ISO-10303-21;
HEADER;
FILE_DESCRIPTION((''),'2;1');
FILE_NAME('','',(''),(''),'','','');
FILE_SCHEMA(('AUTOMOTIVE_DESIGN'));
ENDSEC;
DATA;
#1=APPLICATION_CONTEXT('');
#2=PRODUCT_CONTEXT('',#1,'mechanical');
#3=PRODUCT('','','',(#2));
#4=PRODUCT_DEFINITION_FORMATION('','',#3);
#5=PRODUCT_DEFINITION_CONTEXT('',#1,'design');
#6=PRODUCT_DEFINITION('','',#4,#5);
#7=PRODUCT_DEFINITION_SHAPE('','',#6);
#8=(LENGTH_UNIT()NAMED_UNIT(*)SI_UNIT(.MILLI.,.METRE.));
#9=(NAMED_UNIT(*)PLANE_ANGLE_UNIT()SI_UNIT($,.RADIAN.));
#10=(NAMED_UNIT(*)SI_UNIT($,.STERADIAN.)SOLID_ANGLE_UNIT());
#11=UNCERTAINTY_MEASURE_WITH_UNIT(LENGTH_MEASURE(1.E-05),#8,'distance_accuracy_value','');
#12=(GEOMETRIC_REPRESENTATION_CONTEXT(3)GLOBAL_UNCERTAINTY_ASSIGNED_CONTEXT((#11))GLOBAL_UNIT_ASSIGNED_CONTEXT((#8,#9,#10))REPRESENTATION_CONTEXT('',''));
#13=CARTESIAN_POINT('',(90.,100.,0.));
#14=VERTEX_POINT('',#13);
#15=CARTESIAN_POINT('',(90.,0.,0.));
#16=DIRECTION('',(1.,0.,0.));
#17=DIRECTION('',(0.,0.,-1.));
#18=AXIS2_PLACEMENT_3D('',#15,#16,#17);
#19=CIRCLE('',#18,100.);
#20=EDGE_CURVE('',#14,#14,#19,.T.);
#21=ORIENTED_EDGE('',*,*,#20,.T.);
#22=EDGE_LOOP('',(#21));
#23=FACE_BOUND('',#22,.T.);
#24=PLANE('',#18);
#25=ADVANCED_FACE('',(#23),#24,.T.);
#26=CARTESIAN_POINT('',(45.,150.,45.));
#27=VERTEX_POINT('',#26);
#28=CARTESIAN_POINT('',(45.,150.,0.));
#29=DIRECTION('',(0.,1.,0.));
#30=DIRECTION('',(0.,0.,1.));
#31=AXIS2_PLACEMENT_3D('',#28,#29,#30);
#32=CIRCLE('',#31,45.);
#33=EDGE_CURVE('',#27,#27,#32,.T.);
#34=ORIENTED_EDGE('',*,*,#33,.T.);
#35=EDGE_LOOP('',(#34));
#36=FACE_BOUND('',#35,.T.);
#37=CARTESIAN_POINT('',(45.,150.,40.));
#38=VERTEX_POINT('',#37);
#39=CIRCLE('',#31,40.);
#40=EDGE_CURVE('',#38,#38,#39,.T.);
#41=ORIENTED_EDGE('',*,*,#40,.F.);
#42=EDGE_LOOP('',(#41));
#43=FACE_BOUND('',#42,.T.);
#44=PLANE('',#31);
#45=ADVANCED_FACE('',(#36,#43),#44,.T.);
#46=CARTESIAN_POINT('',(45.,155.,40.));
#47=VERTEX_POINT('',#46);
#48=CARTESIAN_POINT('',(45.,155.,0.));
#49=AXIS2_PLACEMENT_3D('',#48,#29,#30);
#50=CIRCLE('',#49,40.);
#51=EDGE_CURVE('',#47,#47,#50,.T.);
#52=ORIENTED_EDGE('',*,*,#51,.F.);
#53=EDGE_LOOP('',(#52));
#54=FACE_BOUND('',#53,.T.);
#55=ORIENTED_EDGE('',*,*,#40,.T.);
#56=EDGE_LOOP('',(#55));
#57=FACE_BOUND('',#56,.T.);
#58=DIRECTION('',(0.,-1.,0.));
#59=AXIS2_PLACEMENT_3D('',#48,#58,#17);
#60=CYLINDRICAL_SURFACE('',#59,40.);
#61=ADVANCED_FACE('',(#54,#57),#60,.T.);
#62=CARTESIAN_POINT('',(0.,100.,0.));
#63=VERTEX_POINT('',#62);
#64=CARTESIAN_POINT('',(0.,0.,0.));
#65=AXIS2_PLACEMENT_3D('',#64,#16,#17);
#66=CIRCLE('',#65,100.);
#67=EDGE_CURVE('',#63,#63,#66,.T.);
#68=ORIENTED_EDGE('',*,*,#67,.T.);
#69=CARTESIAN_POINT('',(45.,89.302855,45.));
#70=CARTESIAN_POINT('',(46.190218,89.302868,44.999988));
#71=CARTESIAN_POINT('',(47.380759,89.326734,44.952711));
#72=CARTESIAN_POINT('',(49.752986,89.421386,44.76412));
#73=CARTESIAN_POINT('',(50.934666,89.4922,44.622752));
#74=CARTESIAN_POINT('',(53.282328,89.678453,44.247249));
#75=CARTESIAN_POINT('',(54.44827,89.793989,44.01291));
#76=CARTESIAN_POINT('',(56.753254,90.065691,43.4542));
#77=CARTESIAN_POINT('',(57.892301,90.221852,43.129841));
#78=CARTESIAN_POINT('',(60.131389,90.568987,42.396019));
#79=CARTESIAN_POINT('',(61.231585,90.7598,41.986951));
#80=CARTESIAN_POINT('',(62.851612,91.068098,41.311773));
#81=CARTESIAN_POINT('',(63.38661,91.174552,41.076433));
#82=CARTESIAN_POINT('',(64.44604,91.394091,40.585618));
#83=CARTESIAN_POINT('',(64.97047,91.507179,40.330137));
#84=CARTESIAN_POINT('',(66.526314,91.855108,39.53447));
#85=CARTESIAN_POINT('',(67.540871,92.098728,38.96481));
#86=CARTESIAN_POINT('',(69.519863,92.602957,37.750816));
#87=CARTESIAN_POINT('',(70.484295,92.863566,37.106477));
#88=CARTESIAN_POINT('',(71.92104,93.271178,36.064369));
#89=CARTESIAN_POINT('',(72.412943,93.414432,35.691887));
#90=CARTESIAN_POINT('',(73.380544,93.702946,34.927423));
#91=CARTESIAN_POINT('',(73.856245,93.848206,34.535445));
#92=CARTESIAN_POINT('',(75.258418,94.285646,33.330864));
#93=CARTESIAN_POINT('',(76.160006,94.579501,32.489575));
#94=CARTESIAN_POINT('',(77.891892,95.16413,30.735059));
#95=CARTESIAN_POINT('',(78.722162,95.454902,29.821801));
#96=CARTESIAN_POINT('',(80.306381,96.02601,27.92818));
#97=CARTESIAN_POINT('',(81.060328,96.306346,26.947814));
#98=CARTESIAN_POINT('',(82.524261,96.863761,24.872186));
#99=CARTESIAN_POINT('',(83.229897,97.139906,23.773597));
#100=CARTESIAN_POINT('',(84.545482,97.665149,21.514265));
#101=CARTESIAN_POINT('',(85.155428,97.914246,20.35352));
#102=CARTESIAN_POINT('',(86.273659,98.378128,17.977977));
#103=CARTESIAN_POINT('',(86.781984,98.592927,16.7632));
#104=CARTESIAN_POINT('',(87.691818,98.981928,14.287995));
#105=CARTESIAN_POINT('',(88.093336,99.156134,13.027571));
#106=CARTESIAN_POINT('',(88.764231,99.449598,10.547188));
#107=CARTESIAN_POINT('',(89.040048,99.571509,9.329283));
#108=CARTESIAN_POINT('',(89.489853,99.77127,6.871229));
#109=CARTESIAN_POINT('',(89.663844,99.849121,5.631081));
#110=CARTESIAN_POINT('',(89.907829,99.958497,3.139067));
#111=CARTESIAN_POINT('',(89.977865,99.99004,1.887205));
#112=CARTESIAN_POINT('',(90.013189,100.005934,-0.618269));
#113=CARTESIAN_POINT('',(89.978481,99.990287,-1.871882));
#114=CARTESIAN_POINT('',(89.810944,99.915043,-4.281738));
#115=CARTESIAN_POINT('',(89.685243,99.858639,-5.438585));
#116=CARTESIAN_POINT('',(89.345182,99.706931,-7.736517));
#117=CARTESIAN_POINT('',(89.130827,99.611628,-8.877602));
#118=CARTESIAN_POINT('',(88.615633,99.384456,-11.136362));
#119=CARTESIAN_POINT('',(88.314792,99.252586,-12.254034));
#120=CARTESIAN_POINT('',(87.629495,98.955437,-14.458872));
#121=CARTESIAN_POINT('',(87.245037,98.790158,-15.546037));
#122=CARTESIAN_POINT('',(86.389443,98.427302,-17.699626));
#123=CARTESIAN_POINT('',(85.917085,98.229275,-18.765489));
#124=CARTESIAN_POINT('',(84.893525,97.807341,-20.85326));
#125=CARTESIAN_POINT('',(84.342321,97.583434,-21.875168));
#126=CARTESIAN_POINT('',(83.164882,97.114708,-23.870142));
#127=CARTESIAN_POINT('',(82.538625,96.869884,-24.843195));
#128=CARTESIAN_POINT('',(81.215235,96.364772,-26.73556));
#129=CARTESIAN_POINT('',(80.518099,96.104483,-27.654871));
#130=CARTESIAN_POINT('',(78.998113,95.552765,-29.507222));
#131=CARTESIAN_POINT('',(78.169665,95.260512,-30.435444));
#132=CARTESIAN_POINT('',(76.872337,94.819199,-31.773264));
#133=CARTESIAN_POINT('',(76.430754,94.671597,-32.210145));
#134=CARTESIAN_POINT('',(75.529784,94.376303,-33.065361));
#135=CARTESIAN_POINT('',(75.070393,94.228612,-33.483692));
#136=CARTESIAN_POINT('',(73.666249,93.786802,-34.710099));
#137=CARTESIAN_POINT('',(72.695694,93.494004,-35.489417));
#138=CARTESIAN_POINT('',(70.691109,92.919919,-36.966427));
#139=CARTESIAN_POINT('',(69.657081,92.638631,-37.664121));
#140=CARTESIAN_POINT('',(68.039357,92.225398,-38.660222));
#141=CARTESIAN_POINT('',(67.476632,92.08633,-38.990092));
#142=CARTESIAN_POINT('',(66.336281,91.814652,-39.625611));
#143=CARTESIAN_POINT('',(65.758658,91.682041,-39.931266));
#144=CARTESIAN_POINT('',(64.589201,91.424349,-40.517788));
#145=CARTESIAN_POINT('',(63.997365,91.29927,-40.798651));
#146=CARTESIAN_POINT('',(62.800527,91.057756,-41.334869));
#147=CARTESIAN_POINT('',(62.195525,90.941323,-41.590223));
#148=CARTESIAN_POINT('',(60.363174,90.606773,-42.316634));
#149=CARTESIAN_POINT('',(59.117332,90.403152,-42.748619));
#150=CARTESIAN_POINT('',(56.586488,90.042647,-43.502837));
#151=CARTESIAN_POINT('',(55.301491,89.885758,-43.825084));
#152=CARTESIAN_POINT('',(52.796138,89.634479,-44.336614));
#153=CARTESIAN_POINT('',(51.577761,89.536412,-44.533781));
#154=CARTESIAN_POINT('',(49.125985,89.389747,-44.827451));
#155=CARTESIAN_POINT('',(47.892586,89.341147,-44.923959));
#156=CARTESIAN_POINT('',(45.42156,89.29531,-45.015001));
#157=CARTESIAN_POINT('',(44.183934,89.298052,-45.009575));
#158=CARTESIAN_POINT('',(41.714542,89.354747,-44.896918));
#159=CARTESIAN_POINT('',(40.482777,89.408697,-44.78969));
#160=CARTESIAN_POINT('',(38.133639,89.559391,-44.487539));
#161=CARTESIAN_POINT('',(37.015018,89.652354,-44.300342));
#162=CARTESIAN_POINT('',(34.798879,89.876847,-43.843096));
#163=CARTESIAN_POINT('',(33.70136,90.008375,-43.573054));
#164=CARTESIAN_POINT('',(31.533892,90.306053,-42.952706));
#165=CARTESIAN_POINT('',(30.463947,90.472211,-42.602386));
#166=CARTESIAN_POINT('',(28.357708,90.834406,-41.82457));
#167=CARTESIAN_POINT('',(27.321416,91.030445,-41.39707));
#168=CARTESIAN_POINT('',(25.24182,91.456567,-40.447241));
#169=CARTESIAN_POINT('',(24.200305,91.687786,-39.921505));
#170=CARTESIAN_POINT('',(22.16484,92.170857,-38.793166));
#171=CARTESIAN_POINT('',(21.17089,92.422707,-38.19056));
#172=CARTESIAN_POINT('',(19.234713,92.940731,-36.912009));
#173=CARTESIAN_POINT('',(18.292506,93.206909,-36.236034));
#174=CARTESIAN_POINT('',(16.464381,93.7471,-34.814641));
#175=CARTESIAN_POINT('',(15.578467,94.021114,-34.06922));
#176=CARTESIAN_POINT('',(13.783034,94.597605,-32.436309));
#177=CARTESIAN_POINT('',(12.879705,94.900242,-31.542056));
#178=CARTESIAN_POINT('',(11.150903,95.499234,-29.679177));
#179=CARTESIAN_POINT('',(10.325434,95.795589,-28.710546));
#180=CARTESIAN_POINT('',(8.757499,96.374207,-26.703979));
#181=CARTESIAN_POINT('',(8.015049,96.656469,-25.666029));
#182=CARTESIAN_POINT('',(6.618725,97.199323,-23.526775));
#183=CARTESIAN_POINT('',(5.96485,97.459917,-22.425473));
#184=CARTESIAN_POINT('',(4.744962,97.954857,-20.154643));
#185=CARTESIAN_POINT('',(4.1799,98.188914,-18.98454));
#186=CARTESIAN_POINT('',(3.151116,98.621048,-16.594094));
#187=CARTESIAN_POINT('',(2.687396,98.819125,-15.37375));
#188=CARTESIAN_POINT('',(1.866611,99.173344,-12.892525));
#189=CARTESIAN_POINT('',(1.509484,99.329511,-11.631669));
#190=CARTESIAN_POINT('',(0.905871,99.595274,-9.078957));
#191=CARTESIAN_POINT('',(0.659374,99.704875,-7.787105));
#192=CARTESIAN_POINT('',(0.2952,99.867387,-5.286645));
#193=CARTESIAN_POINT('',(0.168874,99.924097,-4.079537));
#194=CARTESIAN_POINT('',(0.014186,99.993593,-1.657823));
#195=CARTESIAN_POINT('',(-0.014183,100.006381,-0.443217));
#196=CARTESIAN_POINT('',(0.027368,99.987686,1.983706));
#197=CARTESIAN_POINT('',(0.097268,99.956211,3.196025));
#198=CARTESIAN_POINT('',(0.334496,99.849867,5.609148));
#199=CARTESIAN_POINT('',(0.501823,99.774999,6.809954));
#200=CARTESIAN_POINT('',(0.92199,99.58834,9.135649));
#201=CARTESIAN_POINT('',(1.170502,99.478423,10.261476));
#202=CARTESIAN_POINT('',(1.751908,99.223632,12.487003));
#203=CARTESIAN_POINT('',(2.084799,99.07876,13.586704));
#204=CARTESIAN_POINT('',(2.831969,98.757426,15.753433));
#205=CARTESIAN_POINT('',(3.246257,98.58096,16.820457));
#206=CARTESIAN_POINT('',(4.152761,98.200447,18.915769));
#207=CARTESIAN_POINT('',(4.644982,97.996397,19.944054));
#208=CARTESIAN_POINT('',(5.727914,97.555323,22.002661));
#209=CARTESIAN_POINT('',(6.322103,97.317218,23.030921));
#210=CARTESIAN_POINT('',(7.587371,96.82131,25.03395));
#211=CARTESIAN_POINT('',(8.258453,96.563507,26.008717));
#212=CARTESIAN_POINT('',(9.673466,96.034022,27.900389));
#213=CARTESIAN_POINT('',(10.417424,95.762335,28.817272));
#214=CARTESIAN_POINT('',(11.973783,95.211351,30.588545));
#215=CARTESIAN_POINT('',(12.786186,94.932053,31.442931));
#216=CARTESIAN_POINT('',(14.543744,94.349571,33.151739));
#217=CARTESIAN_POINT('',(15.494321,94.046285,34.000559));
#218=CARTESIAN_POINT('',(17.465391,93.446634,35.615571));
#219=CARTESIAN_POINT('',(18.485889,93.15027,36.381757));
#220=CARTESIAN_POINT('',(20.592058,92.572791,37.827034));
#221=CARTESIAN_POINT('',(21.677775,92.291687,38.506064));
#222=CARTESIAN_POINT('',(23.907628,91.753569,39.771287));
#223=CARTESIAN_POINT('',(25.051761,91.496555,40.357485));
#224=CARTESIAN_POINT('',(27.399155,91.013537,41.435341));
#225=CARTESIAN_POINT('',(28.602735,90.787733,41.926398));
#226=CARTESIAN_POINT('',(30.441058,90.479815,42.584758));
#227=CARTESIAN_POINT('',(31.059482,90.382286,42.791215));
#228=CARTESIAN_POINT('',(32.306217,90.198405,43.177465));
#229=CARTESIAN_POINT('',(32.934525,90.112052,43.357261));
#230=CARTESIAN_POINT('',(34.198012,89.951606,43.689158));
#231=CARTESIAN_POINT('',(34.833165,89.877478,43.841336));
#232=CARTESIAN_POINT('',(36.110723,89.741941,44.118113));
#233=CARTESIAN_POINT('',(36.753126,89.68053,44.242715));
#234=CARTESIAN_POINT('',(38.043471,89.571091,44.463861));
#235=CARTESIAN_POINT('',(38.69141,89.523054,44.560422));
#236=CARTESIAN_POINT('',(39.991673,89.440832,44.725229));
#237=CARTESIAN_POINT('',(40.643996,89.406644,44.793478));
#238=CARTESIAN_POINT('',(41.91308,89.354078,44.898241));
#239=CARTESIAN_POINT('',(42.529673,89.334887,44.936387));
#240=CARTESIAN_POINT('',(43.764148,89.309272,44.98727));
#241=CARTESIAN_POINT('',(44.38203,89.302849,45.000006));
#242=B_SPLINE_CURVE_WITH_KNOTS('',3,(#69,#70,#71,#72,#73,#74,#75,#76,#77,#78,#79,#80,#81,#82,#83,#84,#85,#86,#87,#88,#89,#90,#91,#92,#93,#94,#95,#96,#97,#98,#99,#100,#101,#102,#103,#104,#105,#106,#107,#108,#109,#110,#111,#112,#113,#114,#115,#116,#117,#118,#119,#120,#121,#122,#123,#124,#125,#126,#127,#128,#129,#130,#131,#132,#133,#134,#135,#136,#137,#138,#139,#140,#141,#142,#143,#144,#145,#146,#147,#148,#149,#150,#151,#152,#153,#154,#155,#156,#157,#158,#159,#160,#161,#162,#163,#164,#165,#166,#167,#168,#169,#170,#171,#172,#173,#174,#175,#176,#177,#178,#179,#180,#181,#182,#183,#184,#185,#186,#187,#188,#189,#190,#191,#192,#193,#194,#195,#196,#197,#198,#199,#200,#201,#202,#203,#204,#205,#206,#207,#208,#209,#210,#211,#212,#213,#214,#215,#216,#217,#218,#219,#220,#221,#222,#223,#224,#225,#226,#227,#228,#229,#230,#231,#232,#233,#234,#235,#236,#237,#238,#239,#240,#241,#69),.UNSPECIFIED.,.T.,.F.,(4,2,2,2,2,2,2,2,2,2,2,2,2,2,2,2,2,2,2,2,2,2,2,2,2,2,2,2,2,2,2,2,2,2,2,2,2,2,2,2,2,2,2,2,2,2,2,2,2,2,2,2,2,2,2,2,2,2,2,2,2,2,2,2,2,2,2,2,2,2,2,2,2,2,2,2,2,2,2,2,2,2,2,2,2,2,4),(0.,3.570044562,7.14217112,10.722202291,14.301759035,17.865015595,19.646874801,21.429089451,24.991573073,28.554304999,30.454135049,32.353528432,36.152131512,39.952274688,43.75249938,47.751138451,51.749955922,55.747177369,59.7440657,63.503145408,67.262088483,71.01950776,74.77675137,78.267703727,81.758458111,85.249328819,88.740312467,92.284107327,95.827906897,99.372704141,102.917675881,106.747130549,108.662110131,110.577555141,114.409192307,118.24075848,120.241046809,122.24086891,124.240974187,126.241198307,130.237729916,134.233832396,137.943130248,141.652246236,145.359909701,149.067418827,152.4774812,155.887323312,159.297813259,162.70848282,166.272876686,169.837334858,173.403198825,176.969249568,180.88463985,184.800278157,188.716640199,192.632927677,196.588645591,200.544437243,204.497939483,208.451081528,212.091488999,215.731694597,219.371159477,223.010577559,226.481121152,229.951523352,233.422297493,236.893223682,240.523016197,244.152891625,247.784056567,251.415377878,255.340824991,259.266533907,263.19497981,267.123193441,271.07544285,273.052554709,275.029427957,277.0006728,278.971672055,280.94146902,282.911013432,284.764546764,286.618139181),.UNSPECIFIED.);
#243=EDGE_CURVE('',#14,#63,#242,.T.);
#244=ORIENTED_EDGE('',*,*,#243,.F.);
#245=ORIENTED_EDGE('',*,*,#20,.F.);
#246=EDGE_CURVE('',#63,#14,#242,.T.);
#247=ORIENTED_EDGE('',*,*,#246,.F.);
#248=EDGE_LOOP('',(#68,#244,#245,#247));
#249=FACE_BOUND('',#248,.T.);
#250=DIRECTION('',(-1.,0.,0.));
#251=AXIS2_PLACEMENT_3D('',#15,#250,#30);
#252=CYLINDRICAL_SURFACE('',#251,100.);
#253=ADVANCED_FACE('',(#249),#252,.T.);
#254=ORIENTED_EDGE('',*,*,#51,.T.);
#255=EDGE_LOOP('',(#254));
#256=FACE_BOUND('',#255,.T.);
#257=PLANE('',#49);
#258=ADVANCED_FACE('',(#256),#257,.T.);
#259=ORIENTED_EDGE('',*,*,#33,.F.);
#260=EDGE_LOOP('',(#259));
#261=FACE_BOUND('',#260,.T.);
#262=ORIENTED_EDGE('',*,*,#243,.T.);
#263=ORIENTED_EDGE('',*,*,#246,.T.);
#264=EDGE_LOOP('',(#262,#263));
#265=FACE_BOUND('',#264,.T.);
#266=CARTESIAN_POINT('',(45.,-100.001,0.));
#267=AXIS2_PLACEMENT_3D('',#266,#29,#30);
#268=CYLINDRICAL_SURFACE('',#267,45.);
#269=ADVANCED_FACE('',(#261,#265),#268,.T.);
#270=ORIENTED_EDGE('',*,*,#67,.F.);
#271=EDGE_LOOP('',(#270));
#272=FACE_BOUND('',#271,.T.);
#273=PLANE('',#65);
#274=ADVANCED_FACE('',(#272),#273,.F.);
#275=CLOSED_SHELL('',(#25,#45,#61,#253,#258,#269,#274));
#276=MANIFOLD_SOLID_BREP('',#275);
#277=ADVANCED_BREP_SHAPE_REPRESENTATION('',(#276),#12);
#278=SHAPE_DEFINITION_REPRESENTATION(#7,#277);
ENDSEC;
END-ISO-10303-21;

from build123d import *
from build123d.topology import SkipClean

# Parameters (mm, degrees)
SKETCH3_R                = 100
BOSS_EXTRUDE1_DEPTH      = 90
BOSS_EXTRUDE2_REACH      = 285.901
BOSS_EXTRUDE2_END_RADIUS = 100
SKETCH4_R                = 45
SKETCH5_R                = 40
BOSS_EXTRUDE3_DEPTH      = 5


with BuildPart() as part:
    # Sketch3 → Boss-Extrude1 (new body)
    with BuildSketch(Plane(origin=(0, 0, 0), x_dir=(0, 0, -1), z_dir=(1, 0, 0))):
        with Locations(Location((0, 0, 0), (0, 0, 180))):
            Circle(SKETCH3_R)
    extrude(amount=BOSS_EXTRUDE1_DEPTH)

    # Boss-Extrude2: up to this cylinder (the profile starts outside it)
    with SkipClean():  # the faces are left unmerged after this step: merging them gives an invalid solid
        boss_extrude2_end = Plane(origin=(45, 0, 0), z_dir=(-1, 0, 0)) * Cylinder(BOSS_EXTRUDE2_END_RADIUS, 772.802, mode=Mode.PRIVATE)
        # Sketch4 → Boss-Extrude2 (add, up to the surface)
        with BuildSketch(Plane(origin=(0, 150, 0), x_dir=(1, 0, 0), z_dir=(0, 1, 0)), mode=Mode.PRIVATE) as boss_extrude2_sk1:
            with Locations(Location((45, 0, 0), (0, 0, 270))):
                Circle(SKETCH4_R)
        boss_extrude2_tool1 = extrude(boss_extrude2_sk1.sketch, amount=-BOSS_EXTRUDE2_REACH, mode=Mode.PRIVATE) - boss_extrude2_end
        add(boss_extrude2_tool1.solids().sort_by_distance((45, 150, 0))[0])

    # Sketch5 → Boss-Extrude3 (add)
    with SkipClean():  # the faces are left unmerged after this step: merging them gives an invalid solid
        with BuildSketch(Plane(origin=(0, 150, 0), x_dir=(1, 0, 0), z_dir=(0, 1, 0))):
            with Locations(Location((45, 0, 0), (0, 0, 270))):
                Circle(SKETCH5_R)
        extrude(amount=BOSS_EXTRUDE3_DEPTH)


solid = part.part
